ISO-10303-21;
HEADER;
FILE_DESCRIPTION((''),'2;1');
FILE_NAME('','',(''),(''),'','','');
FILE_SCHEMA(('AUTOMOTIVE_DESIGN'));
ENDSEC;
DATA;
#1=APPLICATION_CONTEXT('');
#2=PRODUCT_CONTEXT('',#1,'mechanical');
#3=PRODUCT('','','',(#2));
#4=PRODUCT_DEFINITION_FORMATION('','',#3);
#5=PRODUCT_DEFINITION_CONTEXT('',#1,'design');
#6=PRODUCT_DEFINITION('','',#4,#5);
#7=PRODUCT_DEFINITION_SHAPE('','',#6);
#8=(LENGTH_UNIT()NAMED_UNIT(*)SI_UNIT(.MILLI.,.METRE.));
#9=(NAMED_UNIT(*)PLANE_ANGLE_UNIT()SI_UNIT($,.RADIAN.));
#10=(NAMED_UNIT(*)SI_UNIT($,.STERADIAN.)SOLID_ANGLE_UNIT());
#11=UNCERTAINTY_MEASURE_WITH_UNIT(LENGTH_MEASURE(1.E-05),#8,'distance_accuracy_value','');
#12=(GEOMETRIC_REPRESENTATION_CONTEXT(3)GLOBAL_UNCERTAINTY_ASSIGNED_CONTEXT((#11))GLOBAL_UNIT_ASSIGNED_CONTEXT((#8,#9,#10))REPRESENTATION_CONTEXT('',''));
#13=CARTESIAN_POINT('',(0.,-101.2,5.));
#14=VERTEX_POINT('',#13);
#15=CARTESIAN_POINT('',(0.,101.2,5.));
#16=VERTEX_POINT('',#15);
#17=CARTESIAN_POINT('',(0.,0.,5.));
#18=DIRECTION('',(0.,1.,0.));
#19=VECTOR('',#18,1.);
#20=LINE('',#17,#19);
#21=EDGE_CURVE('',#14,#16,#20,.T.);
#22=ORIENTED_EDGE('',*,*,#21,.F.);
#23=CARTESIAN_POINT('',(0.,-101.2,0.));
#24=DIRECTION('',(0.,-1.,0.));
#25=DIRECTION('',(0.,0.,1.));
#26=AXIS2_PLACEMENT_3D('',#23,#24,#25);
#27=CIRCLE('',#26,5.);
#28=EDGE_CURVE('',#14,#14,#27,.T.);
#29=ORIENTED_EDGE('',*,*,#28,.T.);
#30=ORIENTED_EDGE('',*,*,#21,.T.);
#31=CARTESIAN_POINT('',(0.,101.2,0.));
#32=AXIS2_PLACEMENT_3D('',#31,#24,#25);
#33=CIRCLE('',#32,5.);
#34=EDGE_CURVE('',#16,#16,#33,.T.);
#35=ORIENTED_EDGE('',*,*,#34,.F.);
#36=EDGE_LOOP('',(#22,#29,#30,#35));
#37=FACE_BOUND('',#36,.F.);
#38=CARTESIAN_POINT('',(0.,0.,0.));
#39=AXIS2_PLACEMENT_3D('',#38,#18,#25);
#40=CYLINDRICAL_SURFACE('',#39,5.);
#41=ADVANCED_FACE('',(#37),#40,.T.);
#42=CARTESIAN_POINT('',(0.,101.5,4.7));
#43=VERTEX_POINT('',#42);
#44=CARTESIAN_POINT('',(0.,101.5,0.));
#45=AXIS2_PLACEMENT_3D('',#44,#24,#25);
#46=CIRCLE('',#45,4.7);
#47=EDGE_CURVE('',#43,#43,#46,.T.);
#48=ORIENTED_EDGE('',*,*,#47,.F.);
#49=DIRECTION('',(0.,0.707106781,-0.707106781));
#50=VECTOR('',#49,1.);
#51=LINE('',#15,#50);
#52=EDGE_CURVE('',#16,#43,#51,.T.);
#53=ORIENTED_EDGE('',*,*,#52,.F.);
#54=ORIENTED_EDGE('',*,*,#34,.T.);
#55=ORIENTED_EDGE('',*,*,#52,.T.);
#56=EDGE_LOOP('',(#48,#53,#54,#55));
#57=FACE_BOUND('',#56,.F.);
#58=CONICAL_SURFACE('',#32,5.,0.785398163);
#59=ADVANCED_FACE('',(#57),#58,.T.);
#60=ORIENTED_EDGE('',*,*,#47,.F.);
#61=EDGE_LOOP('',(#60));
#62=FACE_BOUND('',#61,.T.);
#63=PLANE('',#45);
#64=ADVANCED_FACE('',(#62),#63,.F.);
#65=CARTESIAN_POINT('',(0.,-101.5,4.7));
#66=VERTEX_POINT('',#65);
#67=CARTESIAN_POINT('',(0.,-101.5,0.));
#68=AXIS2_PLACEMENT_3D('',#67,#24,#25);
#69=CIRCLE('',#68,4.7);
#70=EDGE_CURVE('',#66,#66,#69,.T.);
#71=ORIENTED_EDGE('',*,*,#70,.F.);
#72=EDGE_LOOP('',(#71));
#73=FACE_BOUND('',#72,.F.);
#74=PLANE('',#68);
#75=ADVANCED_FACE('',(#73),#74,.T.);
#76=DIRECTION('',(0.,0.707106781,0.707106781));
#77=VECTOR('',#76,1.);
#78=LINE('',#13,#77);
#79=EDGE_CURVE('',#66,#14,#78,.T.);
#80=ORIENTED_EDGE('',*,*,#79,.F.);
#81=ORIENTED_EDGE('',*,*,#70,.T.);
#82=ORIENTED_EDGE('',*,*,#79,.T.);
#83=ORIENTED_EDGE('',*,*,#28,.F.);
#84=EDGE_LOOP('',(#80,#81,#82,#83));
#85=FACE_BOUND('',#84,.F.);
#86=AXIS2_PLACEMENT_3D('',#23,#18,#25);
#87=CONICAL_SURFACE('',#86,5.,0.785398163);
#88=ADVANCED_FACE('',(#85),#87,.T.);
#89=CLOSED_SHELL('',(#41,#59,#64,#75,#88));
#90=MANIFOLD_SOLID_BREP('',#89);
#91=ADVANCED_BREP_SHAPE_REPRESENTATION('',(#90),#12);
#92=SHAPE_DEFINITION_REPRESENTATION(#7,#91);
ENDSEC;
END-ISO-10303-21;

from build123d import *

# Parameters (mm, degrees)
SKETCH1_W     = 5
SKETCH1_H     = 203
CHAMFER1_SIZE = 0.3


with BuildPart() as part:
    # Sketch1 → Revolve1 (revolve)
    with BuildSketch(Plane.XY, mode=Mode.PRIVATE) as revolve1_sk:
        with Locations((2.5, 0)):
            Rectangle(SKETCH1_W, SKETCH1_H)
    revolve(revolve1_sk.sketch.rotate(Axis((0, 101.5, 0), (0, -1, 0)), 90), axis=Axis((0, 101.5, 0), (0, -1, 0)))

    # Chamfer1
    chamfer1_edges = [part.edges().sort_by_distance(p)[0] for p in [
        (0, 101.5, -5),
        (0, -101.5, -5),
    ]]
    chamfer(chamfer1_edges, length=CHAMFER1_SIZE)


solid = part.part
